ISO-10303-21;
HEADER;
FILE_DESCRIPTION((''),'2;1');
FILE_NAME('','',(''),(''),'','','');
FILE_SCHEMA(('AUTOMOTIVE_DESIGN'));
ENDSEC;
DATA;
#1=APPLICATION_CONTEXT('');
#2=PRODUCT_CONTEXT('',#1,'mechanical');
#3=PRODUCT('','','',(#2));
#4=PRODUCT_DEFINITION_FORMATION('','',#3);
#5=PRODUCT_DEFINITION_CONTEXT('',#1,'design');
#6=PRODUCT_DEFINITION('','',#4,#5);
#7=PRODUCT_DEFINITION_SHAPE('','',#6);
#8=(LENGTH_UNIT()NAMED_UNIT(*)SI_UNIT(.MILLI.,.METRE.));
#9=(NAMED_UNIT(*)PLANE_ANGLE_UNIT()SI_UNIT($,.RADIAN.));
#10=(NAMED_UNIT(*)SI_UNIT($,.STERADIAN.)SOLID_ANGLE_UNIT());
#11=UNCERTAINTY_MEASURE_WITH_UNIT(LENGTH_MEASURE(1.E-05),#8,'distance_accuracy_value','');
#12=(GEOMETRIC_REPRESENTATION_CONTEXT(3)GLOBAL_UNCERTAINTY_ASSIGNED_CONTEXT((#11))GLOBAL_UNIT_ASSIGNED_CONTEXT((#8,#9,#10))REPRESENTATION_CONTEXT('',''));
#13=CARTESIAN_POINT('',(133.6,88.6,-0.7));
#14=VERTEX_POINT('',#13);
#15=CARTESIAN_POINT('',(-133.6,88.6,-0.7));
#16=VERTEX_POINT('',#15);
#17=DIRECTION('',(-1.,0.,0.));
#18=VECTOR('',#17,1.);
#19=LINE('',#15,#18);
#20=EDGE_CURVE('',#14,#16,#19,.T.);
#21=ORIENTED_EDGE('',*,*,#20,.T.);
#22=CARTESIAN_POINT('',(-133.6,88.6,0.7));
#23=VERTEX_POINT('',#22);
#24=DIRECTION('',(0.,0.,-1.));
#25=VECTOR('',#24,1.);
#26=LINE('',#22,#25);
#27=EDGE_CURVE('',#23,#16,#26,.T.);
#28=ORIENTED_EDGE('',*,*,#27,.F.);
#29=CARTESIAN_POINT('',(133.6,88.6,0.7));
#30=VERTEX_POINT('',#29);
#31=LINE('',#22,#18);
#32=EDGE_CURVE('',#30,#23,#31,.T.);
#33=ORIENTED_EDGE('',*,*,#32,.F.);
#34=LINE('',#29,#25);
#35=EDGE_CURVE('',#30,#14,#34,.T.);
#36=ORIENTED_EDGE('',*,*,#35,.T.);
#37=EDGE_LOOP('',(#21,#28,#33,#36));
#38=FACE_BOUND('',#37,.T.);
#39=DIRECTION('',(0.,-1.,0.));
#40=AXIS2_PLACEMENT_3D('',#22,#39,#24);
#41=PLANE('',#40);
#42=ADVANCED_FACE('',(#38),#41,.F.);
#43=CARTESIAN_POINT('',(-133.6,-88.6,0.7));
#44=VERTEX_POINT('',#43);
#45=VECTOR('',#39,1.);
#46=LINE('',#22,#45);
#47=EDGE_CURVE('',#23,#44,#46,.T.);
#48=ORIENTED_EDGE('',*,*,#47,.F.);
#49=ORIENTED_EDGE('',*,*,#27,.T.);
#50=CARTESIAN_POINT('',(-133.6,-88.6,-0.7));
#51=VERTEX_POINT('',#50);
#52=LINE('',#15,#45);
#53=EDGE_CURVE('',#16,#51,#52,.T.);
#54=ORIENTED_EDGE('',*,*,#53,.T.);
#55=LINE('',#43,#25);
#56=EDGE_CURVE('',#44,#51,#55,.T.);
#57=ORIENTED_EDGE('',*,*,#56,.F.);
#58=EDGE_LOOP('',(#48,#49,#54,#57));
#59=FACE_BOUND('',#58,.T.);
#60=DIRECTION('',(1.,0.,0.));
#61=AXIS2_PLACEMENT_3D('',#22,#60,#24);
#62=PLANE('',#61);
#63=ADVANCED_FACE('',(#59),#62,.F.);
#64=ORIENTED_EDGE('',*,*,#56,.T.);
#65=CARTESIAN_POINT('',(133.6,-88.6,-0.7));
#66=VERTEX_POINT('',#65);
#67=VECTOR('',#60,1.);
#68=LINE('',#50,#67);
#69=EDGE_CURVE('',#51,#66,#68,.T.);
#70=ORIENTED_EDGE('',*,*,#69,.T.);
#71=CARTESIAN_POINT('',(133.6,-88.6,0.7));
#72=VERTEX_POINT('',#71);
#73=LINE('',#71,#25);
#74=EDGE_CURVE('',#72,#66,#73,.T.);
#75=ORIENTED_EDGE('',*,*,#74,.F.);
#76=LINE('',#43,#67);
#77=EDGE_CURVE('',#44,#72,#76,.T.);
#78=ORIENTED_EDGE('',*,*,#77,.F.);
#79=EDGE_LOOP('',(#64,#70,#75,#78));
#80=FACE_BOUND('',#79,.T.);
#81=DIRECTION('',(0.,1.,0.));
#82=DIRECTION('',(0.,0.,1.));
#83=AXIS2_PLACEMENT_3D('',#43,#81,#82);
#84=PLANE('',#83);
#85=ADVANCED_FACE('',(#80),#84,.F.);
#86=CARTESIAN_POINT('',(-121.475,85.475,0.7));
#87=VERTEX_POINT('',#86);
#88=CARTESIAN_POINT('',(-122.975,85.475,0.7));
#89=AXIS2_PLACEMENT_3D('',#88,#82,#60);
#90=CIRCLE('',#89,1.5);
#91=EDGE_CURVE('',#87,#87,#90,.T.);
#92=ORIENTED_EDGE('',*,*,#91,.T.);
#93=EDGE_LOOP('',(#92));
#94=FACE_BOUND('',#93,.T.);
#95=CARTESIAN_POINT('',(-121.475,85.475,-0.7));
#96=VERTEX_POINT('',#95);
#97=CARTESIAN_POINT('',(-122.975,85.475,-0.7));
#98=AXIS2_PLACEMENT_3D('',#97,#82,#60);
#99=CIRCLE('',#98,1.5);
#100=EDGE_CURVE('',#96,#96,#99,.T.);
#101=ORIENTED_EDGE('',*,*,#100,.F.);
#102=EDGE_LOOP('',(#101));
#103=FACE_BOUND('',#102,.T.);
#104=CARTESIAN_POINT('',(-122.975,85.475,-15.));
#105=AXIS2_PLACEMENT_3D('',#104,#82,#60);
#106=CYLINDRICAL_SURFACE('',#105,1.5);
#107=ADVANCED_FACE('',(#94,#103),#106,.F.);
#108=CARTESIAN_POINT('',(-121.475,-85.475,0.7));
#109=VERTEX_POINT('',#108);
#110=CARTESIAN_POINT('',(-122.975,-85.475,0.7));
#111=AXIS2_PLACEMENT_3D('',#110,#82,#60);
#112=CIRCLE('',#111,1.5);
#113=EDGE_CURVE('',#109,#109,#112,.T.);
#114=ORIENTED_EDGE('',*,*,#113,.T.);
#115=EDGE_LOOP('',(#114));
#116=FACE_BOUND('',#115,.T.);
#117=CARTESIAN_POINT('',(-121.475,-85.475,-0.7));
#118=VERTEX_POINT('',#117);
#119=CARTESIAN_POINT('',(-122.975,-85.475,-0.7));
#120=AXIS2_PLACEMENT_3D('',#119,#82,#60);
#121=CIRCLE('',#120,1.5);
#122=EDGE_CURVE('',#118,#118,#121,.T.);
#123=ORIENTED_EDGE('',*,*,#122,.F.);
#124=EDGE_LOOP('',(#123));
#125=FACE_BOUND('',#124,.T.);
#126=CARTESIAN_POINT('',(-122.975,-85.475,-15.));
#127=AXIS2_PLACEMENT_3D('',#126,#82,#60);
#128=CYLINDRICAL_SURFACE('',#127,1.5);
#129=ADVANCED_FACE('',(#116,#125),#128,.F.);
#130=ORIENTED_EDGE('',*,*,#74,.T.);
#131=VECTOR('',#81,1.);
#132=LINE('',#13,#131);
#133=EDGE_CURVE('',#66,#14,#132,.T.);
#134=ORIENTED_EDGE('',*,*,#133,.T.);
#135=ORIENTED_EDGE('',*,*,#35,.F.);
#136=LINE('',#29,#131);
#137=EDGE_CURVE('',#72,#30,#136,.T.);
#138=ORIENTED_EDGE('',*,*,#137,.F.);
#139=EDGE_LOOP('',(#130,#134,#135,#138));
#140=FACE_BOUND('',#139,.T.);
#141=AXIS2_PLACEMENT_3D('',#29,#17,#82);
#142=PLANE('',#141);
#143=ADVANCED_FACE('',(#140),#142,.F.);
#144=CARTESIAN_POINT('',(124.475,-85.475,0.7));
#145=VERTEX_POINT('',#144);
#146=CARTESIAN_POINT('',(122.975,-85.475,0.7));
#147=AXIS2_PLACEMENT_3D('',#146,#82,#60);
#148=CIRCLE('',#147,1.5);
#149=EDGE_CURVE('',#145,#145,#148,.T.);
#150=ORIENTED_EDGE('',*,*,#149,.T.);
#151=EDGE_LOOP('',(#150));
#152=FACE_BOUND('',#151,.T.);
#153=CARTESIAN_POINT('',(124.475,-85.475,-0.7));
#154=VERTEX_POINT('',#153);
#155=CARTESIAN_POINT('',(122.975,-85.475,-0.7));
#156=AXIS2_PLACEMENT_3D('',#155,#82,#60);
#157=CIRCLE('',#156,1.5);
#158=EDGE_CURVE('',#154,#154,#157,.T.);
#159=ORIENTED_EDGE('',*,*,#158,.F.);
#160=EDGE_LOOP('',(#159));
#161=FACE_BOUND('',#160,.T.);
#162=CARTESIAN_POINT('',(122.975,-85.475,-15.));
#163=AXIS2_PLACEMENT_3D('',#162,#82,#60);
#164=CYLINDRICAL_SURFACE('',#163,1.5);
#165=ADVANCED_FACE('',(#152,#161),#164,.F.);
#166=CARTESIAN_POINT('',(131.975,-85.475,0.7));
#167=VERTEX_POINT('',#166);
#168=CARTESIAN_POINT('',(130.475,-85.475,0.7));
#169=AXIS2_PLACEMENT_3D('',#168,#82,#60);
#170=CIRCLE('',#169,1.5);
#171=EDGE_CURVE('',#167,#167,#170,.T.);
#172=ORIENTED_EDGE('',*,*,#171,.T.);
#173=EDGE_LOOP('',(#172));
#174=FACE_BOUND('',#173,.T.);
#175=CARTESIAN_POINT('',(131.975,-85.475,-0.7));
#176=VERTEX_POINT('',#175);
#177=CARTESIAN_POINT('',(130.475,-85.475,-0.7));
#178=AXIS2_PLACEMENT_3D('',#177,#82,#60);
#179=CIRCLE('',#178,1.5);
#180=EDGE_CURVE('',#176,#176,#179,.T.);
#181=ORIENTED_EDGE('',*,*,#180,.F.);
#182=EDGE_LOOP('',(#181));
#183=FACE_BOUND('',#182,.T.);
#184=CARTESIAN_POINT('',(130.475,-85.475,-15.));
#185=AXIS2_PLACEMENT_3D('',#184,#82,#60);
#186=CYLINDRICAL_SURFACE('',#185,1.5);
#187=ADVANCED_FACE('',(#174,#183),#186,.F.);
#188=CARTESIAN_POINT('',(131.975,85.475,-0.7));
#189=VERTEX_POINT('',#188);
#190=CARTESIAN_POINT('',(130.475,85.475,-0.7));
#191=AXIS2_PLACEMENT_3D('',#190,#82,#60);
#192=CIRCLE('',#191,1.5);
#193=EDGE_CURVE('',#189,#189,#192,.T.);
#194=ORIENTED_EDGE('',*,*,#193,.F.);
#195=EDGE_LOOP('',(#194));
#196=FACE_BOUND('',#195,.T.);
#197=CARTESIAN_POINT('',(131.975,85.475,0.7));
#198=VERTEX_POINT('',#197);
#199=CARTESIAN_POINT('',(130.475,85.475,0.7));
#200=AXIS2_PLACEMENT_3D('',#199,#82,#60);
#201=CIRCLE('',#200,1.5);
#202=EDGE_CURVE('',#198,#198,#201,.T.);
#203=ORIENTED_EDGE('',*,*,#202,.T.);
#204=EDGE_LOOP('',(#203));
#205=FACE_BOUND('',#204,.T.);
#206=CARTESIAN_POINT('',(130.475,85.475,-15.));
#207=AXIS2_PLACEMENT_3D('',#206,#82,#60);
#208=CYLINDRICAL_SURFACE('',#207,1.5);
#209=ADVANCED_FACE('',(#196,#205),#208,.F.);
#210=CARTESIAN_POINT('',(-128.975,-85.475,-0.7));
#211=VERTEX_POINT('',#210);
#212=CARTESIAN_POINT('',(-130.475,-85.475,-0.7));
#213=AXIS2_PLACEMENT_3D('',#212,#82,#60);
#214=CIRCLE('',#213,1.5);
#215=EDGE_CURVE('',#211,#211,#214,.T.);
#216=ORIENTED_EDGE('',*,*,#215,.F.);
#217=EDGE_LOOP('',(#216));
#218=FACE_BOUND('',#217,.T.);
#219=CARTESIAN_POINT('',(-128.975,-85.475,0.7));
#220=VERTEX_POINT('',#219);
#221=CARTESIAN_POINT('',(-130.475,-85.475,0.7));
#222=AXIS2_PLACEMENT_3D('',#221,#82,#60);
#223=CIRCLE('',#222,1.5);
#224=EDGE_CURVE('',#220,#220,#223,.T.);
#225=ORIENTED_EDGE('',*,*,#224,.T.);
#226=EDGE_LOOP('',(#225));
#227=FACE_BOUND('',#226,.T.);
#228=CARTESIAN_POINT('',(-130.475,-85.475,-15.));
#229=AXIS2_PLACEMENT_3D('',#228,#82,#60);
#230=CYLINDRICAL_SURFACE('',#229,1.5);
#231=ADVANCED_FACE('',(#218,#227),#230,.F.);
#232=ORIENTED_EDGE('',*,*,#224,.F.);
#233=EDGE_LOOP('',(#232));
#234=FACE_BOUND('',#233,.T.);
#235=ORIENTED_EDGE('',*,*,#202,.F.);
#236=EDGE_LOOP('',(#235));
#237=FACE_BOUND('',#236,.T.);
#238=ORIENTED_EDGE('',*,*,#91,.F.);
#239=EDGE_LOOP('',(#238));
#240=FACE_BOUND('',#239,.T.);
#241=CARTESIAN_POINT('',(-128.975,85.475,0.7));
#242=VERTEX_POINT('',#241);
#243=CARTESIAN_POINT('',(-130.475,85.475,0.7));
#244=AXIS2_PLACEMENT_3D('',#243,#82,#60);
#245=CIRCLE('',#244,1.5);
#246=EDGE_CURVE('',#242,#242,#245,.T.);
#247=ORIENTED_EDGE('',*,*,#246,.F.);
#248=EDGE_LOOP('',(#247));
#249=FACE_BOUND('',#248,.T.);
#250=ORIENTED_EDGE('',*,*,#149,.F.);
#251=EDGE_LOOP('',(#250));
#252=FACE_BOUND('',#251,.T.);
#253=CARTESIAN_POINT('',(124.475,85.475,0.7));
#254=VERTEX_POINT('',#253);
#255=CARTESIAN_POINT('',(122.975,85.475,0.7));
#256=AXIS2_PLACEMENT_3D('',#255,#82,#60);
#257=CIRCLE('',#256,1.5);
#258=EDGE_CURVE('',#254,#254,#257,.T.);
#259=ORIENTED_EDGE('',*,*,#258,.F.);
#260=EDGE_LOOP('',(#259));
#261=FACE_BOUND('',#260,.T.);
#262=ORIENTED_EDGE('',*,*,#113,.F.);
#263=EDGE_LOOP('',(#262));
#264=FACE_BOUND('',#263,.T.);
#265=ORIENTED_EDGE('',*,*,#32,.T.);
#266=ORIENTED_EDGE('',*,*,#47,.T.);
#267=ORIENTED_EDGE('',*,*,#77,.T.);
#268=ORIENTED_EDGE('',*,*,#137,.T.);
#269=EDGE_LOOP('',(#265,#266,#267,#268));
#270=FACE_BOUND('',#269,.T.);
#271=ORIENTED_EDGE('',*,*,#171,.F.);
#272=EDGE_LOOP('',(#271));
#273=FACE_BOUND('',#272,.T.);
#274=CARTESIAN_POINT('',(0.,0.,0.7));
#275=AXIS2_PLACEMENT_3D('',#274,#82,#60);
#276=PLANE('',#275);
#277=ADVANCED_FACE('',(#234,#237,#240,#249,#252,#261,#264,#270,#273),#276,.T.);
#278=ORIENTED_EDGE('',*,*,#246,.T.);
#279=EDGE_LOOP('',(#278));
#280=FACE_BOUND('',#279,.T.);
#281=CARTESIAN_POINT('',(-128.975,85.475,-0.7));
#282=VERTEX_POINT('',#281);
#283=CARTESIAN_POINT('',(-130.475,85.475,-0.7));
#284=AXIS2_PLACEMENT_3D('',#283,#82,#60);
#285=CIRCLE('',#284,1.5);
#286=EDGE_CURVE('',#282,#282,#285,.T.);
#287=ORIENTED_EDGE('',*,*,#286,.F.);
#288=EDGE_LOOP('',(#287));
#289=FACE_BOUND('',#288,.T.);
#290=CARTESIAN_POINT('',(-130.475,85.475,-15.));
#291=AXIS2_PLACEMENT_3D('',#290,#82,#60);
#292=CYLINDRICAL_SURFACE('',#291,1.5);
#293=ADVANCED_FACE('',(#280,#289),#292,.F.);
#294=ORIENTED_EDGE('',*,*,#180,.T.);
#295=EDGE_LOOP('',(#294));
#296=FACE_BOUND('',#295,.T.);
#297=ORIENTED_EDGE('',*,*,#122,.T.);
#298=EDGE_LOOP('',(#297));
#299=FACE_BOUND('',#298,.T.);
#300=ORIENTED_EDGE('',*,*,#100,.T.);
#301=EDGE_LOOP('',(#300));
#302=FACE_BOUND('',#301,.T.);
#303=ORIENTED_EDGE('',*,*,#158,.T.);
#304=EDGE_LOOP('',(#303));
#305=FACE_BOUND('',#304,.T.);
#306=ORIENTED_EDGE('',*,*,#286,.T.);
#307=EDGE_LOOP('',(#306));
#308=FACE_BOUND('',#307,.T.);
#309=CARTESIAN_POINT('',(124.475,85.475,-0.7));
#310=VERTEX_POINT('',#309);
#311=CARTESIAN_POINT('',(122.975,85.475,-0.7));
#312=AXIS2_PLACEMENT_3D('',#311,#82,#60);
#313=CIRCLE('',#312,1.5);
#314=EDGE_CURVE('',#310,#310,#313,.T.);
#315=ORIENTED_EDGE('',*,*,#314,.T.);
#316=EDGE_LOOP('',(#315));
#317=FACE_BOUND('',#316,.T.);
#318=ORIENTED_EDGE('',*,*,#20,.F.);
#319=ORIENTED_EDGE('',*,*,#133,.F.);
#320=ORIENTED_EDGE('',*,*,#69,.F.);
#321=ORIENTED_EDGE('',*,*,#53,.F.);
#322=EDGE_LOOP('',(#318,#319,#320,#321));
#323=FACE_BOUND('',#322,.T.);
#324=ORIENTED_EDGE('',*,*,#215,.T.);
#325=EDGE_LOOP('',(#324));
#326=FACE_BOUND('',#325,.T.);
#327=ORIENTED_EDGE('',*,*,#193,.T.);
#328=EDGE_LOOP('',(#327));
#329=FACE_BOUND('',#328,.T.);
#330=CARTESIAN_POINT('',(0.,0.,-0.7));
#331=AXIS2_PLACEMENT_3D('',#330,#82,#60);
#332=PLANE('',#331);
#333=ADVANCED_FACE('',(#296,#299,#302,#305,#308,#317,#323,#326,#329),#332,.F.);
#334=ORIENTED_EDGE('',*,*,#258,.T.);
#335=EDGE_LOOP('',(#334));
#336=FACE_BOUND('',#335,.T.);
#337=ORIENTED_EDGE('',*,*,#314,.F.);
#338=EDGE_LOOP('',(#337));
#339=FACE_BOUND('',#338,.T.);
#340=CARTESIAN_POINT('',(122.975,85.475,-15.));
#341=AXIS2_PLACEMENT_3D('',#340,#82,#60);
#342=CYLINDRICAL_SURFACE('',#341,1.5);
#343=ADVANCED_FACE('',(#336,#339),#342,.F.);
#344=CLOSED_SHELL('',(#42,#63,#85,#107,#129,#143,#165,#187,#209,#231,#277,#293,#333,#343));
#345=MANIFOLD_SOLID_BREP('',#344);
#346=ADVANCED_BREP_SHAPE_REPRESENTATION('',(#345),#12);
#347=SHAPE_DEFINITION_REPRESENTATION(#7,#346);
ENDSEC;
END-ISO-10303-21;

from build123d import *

# Parameters (mm, degrees)
CROQUIS1_W              = 267.2
CROQUIS1_H              = 177.2
SALIENTE_EXTRUIR1_DEPTH = 0.7
CROQUIS2_R              = 1.5
CORTAR_EXTRUIR1_DEPTH   = 15.7


with BuildPart() as part:
    # Croquis1 → Saliente-Extruir1 (new, symmetric)
    with BuildSketch(Plane.XY):
        Rectangle(CROQUIS1_W, CROQUIS1_H)
    extrude(amount=SALIENTE_EXTRUIR1_DEPTH, both=True)

    # Croquis2 → Cortar-Extruir1 (cut, symmetric)
    with BuildSketch(Plane.XY.offset(0.7)):
        with Locations((-130.475, 85.475)):
            Circle(CROQUIS2_R)
        with Locations((-122.975, 85.475)):
            Circle(CROQUIS2_R)
        with Locations((-130.475, -85.475)):
            Circle(CROQUIS2_R)
        with Locations((-122.975, -85.475)):
            Circle(CROQUIS2_R)
        with Locations((130.475, -85.475)):
            Circle(CROQUIS2_R)
        with Locations((122.975, -85.475)):
            Circle(CROQUIS2_R)
        with Locations((130.475, 85.475)):
            Circle(CROQUIS2_R)
        with Locations((122.975, 85.475)):
            Circle(CROQUIS2_R)
    extrude(amount=CORTAR_EXTRUIR1_DEPTH, both=True, mode=Mode.SUBTRACT)


solid = part.part
